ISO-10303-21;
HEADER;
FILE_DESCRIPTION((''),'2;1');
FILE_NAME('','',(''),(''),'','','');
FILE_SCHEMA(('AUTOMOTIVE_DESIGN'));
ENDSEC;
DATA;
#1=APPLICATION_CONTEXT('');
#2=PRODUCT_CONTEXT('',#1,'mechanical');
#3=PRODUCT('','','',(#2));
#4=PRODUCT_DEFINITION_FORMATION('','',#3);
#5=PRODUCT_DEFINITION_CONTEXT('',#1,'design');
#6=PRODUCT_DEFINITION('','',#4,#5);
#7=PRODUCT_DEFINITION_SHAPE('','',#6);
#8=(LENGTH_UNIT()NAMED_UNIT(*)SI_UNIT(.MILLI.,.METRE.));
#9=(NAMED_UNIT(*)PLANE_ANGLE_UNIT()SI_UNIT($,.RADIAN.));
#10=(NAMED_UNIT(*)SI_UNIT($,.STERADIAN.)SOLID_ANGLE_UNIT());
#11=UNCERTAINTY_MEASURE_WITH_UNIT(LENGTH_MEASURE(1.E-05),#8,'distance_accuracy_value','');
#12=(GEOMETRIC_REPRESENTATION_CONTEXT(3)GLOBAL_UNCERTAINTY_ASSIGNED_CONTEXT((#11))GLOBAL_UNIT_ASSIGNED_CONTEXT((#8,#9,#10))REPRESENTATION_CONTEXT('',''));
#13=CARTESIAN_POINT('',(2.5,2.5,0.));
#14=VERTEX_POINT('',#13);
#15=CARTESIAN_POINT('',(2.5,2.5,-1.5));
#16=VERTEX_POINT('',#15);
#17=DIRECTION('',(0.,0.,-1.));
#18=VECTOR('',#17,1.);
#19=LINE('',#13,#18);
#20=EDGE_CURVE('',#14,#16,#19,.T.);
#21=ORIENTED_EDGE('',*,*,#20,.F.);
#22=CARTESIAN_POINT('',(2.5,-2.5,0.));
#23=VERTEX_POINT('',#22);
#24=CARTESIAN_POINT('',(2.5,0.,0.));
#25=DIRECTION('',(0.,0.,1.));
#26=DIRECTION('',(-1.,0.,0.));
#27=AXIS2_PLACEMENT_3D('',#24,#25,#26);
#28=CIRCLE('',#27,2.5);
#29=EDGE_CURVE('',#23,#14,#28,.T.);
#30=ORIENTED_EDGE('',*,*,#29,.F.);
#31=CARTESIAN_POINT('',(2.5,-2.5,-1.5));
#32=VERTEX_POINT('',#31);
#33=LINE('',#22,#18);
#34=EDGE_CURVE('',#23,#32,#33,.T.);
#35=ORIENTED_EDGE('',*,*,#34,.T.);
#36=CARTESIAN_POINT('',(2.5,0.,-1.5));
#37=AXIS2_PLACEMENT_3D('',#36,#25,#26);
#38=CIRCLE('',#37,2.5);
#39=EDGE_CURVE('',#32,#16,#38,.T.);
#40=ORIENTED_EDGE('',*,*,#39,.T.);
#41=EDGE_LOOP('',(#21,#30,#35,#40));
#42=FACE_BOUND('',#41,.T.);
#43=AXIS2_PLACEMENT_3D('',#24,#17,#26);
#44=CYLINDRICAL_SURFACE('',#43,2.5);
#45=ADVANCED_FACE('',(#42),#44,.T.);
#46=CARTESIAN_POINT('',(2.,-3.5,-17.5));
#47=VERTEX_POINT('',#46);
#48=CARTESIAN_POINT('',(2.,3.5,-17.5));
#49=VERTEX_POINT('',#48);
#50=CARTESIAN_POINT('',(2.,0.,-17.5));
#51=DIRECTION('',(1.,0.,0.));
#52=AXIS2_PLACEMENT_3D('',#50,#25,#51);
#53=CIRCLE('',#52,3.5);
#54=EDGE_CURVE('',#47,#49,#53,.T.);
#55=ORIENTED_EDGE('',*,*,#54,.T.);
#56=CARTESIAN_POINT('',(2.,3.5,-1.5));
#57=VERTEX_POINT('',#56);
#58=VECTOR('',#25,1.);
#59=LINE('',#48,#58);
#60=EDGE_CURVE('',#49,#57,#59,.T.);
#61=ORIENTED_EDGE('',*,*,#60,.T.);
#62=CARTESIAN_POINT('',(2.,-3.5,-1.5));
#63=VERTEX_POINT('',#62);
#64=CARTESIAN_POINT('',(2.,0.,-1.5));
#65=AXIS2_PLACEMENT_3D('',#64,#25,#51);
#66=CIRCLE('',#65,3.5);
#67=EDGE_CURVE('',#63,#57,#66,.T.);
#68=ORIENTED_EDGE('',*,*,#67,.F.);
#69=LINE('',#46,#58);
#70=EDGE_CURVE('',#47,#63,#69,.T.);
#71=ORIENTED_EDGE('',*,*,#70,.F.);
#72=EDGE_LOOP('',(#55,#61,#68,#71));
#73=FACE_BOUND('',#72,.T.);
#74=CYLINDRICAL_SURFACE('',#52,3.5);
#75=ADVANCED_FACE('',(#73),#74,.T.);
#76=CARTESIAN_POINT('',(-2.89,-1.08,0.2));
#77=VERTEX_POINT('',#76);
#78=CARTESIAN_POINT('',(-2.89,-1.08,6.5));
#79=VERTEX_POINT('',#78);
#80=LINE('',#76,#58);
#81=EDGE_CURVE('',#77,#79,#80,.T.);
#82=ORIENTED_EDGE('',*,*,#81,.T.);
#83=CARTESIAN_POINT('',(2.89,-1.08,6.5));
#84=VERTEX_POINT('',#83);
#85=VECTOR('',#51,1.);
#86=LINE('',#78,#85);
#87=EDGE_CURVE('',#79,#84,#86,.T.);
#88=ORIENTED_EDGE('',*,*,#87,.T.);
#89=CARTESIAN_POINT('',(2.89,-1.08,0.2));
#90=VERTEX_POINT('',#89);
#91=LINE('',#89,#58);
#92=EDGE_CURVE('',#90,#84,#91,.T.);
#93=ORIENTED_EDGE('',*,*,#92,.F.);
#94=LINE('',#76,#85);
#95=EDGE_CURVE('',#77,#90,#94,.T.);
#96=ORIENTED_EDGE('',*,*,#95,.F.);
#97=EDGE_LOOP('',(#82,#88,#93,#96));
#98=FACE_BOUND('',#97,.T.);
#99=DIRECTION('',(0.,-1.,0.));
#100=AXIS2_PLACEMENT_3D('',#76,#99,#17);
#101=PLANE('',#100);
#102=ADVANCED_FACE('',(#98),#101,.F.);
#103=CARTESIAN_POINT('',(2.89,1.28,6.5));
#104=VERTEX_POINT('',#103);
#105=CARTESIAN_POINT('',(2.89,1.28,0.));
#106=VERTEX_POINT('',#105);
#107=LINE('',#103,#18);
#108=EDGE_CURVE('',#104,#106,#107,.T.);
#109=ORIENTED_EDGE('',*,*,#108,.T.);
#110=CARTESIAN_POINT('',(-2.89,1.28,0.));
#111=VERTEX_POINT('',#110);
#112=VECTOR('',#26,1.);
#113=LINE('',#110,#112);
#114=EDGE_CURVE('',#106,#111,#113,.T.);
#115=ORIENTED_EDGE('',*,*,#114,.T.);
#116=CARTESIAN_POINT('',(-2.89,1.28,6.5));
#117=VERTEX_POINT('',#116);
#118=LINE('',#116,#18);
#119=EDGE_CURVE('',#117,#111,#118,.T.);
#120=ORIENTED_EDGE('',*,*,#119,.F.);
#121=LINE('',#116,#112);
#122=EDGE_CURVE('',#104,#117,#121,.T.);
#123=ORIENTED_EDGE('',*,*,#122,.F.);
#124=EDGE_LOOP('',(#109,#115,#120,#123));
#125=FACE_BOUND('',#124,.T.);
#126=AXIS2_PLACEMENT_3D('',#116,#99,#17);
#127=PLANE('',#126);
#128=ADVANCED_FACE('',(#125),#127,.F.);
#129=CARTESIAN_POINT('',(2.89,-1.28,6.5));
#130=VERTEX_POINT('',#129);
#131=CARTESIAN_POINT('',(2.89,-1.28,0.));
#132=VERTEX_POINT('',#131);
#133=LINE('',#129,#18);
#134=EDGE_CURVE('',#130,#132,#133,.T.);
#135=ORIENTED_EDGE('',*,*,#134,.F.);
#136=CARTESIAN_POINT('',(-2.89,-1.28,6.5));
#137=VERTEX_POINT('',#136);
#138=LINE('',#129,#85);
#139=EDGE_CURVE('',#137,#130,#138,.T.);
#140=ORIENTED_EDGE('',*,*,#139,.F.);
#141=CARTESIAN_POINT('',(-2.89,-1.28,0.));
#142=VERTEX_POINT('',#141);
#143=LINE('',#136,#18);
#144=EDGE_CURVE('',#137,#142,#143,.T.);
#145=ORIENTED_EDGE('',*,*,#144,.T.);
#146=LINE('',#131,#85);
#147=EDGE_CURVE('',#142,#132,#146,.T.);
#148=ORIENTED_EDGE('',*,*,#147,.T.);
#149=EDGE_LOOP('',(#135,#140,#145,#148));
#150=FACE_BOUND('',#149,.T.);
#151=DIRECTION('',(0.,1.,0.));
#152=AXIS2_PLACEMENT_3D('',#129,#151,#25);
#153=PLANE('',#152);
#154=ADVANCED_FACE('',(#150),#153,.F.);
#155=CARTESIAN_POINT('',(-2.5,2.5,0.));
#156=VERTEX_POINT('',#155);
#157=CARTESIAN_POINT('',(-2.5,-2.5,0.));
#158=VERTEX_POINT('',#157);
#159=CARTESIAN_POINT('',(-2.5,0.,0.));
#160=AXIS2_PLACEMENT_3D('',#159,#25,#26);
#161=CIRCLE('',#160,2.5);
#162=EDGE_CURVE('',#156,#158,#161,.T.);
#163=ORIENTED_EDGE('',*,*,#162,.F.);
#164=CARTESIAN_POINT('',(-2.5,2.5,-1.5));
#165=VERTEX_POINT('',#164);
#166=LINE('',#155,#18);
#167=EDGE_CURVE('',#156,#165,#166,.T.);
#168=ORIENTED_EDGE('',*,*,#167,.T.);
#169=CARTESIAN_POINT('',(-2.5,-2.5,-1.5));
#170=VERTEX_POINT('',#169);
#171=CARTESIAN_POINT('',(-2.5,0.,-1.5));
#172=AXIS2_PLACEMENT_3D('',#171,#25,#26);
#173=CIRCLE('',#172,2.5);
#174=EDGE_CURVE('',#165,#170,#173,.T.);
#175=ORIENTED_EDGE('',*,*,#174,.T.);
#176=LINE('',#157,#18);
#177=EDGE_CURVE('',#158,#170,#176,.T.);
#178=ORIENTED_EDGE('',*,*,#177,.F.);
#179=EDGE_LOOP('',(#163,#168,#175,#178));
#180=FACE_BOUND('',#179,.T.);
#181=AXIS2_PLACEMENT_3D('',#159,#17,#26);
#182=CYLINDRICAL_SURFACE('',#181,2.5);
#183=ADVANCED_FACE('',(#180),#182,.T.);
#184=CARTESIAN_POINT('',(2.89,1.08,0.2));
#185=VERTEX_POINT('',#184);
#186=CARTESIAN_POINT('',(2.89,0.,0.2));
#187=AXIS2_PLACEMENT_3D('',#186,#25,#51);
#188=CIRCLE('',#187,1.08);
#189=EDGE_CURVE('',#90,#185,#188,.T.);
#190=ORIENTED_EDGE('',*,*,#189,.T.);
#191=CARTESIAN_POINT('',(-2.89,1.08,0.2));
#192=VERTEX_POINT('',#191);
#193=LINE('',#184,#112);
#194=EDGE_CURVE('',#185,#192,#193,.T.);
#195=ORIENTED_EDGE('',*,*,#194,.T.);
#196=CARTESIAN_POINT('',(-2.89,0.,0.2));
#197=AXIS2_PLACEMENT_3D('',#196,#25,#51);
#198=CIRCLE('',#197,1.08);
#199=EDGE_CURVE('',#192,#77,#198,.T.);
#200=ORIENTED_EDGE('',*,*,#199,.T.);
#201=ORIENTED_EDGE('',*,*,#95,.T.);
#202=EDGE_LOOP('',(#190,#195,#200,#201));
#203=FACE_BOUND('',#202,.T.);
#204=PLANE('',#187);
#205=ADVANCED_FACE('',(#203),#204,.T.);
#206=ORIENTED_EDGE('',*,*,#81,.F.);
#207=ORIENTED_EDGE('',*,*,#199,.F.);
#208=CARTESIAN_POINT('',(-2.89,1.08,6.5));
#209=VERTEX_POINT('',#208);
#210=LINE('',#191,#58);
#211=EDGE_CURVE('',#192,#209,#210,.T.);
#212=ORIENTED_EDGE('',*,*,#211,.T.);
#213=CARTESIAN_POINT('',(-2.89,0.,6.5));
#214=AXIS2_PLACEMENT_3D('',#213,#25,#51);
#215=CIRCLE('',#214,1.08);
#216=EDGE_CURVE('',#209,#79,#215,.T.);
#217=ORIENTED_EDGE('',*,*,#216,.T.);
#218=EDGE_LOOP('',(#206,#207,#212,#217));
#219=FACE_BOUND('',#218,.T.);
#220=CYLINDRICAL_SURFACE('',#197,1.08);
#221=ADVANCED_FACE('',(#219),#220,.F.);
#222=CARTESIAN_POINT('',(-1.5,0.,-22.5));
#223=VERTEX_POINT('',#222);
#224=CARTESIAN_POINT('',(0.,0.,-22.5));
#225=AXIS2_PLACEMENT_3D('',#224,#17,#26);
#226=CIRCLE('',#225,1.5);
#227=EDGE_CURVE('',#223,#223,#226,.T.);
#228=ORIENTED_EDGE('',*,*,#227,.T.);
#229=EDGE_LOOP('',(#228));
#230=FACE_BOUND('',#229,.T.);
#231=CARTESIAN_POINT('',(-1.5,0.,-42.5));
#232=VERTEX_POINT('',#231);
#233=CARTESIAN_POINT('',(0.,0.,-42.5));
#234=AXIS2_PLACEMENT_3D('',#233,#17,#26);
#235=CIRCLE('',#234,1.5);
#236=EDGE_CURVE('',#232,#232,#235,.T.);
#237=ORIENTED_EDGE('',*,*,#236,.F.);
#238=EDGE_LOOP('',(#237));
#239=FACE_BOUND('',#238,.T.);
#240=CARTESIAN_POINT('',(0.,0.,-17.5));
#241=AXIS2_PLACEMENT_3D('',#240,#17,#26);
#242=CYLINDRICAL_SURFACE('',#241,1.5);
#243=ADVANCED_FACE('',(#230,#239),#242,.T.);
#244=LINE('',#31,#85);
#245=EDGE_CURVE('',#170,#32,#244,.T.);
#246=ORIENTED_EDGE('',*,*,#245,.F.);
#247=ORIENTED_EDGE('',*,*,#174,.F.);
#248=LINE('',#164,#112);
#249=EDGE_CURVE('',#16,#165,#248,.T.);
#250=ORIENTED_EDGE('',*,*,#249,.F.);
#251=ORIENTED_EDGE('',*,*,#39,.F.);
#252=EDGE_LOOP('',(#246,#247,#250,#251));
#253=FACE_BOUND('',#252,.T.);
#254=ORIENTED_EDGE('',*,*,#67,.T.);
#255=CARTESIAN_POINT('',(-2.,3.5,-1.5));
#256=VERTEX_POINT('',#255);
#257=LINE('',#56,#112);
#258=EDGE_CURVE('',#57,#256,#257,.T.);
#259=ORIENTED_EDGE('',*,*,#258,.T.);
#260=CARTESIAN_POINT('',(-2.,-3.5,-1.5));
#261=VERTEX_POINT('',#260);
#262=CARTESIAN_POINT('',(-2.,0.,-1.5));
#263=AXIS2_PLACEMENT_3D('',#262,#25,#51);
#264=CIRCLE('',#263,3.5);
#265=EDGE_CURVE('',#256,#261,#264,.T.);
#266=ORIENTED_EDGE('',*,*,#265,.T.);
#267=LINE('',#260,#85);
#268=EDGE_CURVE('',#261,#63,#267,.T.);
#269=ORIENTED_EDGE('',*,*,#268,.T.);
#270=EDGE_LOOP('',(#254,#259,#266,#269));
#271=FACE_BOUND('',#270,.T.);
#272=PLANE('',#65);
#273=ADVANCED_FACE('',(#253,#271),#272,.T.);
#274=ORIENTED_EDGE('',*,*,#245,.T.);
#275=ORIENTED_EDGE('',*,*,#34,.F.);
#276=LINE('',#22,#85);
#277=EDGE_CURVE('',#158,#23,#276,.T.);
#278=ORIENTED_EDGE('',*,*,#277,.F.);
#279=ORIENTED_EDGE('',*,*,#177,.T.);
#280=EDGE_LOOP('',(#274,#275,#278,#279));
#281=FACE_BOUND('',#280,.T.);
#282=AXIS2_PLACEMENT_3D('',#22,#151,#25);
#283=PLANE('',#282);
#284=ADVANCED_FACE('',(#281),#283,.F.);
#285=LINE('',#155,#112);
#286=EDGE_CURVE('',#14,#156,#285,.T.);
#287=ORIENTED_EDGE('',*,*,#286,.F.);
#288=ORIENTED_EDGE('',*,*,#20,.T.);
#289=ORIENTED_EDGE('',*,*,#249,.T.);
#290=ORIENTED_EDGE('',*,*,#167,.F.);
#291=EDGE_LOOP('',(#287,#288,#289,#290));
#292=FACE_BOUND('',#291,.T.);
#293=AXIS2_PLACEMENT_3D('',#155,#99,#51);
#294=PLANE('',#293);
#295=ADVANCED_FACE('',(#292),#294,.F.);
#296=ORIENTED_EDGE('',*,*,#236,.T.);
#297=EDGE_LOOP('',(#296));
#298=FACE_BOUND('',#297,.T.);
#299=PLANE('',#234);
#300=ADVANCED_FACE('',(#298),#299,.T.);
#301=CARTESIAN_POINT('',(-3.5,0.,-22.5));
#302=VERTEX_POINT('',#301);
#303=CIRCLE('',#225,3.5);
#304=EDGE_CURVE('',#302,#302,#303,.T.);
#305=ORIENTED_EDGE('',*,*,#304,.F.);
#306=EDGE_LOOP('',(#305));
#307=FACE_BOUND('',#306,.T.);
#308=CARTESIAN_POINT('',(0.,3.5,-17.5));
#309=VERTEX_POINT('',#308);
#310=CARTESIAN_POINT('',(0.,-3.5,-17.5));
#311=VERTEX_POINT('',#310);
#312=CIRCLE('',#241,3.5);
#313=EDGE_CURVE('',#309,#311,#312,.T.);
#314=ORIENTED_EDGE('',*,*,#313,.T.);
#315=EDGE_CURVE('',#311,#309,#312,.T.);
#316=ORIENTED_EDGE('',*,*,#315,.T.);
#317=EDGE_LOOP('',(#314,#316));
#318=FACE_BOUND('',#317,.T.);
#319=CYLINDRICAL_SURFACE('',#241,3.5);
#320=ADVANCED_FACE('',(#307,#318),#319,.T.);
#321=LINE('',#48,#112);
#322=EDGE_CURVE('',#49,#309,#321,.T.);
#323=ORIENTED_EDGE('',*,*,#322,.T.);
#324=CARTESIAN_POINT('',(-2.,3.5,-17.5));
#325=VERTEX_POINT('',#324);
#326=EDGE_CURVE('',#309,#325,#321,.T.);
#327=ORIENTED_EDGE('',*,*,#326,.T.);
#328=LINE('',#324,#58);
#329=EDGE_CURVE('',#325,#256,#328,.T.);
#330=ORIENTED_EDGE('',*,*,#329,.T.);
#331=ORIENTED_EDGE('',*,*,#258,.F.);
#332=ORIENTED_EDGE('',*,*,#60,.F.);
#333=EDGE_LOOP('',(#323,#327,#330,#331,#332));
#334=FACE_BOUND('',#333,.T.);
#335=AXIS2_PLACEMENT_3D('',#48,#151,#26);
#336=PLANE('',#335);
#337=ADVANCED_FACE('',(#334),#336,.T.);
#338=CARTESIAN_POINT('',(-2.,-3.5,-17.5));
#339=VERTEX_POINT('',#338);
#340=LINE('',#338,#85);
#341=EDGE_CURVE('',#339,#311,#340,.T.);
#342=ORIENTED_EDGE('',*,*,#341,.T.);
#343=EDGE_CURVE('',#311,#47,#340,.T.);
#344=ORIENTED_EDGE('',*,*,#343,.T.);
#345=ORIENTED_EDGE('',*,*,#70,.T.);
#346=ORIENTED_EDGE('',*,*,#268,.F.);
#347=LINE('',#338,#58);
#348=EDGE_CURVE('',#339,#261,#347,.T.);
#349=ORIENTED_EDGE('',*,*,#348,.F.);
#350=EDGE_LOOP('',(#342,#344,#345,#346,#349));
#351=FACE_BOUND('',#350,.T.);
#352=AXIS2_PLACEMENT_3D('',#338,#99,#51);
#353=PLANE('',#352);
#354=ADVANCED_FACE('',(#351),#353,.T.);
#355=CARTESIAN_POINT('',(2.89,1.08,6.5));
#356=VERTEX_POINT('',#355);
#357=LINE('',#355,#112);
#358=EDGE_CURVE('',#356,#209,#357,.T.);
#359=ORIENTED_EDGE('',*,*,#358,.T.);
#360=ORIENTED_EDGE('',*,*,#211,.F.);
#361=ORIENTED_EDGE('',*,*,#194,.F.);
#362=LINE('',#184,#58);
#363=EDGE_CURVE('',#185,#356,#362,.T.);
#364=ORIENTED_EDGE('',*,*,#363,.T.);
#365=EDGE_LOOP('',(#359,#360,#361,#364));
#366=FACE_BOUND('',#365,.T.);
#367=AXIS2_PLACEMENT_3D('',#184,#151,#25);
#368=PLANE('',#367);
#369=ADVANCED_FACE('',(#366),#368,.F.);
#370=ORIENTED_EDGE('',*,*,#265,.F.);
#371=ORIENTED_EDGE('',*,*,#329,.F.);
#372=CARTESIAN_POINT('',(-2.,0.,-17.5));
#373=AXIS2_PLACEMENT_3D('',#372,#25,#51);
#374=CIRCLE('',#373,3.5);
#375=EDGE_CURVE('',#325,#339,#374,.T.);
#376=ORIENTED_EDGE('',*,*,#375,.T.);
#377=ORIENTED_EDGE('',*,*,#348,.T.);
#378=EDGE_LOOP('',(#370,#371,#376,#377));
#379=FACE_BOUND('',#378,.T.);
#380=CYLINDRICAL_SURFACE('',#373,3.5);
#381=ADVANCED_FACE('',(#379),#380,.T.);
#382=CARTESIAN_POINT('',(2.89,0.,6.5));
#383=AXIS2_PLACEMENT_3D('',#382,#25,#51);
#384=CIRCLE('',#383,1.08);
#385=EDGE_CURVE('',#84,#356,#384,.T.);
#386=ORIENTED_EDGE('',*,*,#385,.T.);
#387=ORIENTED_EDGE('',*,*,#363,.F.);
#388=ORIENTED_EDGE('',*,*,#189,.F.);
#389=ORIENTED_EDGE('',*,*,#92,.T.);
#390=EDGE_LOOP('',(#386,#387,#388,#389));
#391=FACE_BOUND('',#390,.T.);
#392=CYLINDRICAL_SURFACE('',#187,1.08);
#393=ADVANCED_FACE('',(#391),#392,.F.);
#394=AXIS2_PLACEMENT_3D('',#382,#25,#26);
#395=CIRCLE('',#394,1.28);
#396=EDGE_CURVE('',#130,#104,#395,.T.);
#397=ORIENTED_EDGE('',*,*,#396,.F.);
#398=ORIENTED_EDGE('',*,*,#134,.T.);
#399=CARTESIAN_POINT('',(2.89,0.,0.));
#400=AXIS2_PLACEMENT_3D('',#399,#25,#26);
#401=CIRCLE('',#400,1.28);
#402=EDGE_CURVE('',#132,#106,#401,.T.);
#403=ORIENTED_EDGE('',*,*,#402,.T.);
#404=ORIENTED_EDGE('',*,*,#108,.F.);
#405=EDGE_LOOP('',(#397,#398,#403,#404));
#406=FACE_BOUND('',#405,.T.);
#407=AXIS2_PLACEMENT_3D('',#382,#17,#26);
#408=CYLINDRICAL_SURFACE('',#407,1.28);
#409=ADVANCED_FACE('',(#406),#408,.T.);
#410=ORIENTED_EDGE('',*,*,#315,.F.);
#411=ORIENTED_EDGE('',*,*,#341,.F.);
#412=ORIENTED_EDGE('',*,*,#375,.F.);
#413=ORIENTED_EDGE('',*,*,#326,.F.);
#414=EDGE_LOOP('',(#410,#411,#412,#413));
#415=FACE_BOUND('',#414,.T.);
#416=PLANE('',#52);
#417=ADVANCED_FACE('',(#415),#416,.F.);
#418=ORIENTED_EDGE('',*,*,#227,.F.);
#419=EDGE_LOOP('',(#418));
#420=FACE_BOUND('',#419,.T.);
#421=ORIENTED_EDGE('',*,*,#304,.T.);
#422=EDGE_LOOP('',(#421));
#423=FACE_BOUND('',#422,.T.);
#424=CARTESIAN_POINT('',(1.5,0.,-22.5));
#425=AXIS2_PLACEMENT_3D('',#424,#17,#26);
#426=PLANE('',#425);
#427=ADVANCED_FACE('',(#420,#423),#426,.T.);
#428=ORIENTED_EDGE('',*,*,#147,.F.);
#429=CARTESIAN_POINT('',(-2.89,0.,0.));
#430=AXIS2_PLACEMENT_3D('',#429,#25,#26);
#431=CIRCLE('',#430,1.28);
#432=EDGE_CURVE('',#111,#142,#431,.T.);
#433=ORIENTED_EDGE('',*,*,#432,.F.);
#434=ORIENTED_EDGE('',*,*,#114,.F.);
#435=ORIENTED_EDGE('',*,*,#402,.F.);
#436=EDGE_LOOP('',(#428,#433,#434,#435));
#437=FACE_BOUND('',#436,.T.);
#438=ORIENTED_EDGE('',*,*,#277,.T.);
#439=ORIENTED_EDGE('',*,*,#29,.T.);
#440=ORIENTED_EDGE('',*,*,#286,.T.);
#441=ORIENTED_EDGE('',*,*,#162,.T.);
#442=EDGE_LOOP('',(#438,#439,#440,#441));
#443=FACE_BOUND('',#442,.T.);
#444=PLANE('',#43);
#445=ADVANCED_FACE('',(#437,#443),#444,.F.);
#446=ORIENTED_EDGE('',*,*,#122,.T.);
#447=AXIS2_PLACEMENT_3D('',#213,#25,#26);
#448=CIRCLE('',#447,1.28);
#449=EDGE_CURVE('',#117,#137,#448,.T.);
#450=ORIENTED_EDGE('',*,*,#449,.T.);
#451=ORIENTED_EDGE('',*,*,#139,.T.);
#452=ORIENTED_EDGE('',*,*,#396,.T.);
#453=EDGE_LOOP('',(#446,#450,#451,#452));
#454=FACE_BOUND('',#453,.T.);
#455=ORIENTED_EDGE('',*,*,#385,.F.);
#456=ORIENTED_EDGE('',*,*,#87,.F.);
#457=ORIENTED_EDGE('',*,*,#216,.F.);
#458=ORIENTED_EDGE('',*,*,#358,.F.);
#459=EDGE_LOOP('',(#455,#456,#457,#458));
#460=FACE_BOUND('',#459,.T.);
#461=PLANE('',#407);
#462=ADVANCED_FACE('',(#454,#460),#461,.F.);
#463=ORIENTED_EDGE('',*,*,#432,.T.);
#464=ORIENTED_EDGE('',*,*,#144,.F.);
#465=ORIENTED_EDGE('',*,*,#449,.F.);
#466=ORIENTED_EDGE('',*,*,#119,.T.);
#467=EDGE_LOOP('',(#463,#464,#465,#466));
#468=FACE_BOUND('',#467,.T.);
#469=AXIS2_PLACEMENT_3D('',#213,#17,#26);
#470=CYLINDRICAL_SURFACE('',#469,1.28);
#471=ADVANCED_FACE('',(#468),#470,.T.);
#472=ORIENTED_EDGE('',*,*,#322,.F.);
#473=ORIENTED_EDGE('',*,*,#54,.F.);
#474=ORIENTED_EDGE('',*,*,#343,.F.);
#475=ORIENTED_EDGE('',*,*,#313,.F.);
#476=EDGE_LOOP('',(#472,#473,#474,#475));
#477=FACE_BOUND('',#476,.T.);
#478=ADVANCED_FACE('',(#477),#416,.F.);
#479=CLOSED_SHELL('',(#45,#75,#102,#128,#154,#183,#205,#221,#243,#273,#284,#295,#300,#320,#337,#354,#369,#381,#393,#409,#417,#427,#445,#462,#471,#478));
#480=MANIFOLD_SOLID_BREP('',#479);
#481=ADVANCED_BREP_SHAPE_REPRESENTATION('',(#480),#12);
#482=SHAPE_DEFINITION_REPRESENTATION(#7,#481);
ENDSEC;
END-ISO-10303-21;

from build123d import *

# Parameters (mm, degrees)
BOSS_EXTRUDE1_DEPTH = 16
BOSS_EXTRUDE2_DEPTH = 1.5
BOSS_EXTRUDE3_DEPTH = 6.5
CUT_EXTRUDE1_DEPTH  = 6.3
SKETCH6_R           = 1.5
CUT_EXTRUDE2_DEPTH  = 80


with BuildPart() as part:
    # Sketch1 → Boss-Extrude1 (new body)
    with BuildSketch(Plane.XY.offset(-1.5)):
        with BuildLine():
            Line((2, 3.5), (-2, 3.5))
            ThreePointArc((-2, 3.5), (-5.5, 0), (-2, -3.5))
            Line((-2, -3.5), (2, -3.5))
            ThreePointArc((2, -3.5), (5.5, 0), (2, 3.5))
        make_face()
    extrude(amount=-BOSS_EXTRUDE1_DEPTH)

    # Sketch2 → Boss-Extrude2 (add)
    with BuildSketch(Plane.XY.offset(-1.5)):
        with BuildLine():
            Line((2.5, -2.5), (-2.5, -2.5))
            ThreePointArc((-2.5, -2.5), (-5, 0), (-2.5, 2.5))
            Line((-2.5, 2.5), (2.5, 2.5))
            ThreePointArc((2.5, 2.5), (5, 0), (2.5, -2.5))
        make_face()
    extrude(amount=BOSS_EXTRUDE2_DEPTH)

    # Sketch3 → Boss-Extrude3 (add)
    with BuildSketch(Plane.XY):
        with BuildLine():
            Line((2.89, -1.28), (-2.89, -1.28))
            ThreePointArc((-2.89, -1.28), (-4.17, 0), (-2.89, 1.28))
            Line((-2.89, 1.28), (2.89, 1.28))
            ThreePointArc((2.89, 1.28), (4.17, 0), (2.89, -1.28))
        make_face()
    extrude(amount=BOSS_EXTRUDE3_DEPTH)

    # Sketch4 → Cut-Extrude1 (cut)
    with BuildSketch(Plane.XY.offset(6.5)):
        with BuildLine():
            Line((2.89, 1.08), (-2.89, 1.08))
            ThreePointArc((-2.89, 1.08), (-3.97, 0), (-2.89, -1.08))
            Line((-2.89, -1.08), (2.89, -1.08))
            ThreePointArc((2.89, -1.08), (3.97, 0), (2.89, 1.08))
        make_face()
    extrude(amount=-CUT_EXTRUDE1_DEPTH, mode=Mode.SUBTRACT)

    # Sketch5 → Revolve1 (revolve)
    with BuildSketch(Plane.XZ):
        Polygon((3.5, -17.5), (0, -17.5), (0, -122.5), (1.5, -122.5), (1.5, -22.5), (3.5, -22.5), align=None)
    revolve(axis=Axis((0, 0, -17.5), (0, 0, -1)))

    # Sketch6 → Cut-Extrude2 (cut)
    with BuildSketch(Plane(origin=(0, 0, -122.5), x_dir=(-1, 0, 0), z_dir=(0, 0, -1))):
        Circle(SKETCH6_R)
    extrude(amount=-CUT_EXTRUDE2_DEPTH, mode=Mode.SUBTRACT)


solid = part.part
